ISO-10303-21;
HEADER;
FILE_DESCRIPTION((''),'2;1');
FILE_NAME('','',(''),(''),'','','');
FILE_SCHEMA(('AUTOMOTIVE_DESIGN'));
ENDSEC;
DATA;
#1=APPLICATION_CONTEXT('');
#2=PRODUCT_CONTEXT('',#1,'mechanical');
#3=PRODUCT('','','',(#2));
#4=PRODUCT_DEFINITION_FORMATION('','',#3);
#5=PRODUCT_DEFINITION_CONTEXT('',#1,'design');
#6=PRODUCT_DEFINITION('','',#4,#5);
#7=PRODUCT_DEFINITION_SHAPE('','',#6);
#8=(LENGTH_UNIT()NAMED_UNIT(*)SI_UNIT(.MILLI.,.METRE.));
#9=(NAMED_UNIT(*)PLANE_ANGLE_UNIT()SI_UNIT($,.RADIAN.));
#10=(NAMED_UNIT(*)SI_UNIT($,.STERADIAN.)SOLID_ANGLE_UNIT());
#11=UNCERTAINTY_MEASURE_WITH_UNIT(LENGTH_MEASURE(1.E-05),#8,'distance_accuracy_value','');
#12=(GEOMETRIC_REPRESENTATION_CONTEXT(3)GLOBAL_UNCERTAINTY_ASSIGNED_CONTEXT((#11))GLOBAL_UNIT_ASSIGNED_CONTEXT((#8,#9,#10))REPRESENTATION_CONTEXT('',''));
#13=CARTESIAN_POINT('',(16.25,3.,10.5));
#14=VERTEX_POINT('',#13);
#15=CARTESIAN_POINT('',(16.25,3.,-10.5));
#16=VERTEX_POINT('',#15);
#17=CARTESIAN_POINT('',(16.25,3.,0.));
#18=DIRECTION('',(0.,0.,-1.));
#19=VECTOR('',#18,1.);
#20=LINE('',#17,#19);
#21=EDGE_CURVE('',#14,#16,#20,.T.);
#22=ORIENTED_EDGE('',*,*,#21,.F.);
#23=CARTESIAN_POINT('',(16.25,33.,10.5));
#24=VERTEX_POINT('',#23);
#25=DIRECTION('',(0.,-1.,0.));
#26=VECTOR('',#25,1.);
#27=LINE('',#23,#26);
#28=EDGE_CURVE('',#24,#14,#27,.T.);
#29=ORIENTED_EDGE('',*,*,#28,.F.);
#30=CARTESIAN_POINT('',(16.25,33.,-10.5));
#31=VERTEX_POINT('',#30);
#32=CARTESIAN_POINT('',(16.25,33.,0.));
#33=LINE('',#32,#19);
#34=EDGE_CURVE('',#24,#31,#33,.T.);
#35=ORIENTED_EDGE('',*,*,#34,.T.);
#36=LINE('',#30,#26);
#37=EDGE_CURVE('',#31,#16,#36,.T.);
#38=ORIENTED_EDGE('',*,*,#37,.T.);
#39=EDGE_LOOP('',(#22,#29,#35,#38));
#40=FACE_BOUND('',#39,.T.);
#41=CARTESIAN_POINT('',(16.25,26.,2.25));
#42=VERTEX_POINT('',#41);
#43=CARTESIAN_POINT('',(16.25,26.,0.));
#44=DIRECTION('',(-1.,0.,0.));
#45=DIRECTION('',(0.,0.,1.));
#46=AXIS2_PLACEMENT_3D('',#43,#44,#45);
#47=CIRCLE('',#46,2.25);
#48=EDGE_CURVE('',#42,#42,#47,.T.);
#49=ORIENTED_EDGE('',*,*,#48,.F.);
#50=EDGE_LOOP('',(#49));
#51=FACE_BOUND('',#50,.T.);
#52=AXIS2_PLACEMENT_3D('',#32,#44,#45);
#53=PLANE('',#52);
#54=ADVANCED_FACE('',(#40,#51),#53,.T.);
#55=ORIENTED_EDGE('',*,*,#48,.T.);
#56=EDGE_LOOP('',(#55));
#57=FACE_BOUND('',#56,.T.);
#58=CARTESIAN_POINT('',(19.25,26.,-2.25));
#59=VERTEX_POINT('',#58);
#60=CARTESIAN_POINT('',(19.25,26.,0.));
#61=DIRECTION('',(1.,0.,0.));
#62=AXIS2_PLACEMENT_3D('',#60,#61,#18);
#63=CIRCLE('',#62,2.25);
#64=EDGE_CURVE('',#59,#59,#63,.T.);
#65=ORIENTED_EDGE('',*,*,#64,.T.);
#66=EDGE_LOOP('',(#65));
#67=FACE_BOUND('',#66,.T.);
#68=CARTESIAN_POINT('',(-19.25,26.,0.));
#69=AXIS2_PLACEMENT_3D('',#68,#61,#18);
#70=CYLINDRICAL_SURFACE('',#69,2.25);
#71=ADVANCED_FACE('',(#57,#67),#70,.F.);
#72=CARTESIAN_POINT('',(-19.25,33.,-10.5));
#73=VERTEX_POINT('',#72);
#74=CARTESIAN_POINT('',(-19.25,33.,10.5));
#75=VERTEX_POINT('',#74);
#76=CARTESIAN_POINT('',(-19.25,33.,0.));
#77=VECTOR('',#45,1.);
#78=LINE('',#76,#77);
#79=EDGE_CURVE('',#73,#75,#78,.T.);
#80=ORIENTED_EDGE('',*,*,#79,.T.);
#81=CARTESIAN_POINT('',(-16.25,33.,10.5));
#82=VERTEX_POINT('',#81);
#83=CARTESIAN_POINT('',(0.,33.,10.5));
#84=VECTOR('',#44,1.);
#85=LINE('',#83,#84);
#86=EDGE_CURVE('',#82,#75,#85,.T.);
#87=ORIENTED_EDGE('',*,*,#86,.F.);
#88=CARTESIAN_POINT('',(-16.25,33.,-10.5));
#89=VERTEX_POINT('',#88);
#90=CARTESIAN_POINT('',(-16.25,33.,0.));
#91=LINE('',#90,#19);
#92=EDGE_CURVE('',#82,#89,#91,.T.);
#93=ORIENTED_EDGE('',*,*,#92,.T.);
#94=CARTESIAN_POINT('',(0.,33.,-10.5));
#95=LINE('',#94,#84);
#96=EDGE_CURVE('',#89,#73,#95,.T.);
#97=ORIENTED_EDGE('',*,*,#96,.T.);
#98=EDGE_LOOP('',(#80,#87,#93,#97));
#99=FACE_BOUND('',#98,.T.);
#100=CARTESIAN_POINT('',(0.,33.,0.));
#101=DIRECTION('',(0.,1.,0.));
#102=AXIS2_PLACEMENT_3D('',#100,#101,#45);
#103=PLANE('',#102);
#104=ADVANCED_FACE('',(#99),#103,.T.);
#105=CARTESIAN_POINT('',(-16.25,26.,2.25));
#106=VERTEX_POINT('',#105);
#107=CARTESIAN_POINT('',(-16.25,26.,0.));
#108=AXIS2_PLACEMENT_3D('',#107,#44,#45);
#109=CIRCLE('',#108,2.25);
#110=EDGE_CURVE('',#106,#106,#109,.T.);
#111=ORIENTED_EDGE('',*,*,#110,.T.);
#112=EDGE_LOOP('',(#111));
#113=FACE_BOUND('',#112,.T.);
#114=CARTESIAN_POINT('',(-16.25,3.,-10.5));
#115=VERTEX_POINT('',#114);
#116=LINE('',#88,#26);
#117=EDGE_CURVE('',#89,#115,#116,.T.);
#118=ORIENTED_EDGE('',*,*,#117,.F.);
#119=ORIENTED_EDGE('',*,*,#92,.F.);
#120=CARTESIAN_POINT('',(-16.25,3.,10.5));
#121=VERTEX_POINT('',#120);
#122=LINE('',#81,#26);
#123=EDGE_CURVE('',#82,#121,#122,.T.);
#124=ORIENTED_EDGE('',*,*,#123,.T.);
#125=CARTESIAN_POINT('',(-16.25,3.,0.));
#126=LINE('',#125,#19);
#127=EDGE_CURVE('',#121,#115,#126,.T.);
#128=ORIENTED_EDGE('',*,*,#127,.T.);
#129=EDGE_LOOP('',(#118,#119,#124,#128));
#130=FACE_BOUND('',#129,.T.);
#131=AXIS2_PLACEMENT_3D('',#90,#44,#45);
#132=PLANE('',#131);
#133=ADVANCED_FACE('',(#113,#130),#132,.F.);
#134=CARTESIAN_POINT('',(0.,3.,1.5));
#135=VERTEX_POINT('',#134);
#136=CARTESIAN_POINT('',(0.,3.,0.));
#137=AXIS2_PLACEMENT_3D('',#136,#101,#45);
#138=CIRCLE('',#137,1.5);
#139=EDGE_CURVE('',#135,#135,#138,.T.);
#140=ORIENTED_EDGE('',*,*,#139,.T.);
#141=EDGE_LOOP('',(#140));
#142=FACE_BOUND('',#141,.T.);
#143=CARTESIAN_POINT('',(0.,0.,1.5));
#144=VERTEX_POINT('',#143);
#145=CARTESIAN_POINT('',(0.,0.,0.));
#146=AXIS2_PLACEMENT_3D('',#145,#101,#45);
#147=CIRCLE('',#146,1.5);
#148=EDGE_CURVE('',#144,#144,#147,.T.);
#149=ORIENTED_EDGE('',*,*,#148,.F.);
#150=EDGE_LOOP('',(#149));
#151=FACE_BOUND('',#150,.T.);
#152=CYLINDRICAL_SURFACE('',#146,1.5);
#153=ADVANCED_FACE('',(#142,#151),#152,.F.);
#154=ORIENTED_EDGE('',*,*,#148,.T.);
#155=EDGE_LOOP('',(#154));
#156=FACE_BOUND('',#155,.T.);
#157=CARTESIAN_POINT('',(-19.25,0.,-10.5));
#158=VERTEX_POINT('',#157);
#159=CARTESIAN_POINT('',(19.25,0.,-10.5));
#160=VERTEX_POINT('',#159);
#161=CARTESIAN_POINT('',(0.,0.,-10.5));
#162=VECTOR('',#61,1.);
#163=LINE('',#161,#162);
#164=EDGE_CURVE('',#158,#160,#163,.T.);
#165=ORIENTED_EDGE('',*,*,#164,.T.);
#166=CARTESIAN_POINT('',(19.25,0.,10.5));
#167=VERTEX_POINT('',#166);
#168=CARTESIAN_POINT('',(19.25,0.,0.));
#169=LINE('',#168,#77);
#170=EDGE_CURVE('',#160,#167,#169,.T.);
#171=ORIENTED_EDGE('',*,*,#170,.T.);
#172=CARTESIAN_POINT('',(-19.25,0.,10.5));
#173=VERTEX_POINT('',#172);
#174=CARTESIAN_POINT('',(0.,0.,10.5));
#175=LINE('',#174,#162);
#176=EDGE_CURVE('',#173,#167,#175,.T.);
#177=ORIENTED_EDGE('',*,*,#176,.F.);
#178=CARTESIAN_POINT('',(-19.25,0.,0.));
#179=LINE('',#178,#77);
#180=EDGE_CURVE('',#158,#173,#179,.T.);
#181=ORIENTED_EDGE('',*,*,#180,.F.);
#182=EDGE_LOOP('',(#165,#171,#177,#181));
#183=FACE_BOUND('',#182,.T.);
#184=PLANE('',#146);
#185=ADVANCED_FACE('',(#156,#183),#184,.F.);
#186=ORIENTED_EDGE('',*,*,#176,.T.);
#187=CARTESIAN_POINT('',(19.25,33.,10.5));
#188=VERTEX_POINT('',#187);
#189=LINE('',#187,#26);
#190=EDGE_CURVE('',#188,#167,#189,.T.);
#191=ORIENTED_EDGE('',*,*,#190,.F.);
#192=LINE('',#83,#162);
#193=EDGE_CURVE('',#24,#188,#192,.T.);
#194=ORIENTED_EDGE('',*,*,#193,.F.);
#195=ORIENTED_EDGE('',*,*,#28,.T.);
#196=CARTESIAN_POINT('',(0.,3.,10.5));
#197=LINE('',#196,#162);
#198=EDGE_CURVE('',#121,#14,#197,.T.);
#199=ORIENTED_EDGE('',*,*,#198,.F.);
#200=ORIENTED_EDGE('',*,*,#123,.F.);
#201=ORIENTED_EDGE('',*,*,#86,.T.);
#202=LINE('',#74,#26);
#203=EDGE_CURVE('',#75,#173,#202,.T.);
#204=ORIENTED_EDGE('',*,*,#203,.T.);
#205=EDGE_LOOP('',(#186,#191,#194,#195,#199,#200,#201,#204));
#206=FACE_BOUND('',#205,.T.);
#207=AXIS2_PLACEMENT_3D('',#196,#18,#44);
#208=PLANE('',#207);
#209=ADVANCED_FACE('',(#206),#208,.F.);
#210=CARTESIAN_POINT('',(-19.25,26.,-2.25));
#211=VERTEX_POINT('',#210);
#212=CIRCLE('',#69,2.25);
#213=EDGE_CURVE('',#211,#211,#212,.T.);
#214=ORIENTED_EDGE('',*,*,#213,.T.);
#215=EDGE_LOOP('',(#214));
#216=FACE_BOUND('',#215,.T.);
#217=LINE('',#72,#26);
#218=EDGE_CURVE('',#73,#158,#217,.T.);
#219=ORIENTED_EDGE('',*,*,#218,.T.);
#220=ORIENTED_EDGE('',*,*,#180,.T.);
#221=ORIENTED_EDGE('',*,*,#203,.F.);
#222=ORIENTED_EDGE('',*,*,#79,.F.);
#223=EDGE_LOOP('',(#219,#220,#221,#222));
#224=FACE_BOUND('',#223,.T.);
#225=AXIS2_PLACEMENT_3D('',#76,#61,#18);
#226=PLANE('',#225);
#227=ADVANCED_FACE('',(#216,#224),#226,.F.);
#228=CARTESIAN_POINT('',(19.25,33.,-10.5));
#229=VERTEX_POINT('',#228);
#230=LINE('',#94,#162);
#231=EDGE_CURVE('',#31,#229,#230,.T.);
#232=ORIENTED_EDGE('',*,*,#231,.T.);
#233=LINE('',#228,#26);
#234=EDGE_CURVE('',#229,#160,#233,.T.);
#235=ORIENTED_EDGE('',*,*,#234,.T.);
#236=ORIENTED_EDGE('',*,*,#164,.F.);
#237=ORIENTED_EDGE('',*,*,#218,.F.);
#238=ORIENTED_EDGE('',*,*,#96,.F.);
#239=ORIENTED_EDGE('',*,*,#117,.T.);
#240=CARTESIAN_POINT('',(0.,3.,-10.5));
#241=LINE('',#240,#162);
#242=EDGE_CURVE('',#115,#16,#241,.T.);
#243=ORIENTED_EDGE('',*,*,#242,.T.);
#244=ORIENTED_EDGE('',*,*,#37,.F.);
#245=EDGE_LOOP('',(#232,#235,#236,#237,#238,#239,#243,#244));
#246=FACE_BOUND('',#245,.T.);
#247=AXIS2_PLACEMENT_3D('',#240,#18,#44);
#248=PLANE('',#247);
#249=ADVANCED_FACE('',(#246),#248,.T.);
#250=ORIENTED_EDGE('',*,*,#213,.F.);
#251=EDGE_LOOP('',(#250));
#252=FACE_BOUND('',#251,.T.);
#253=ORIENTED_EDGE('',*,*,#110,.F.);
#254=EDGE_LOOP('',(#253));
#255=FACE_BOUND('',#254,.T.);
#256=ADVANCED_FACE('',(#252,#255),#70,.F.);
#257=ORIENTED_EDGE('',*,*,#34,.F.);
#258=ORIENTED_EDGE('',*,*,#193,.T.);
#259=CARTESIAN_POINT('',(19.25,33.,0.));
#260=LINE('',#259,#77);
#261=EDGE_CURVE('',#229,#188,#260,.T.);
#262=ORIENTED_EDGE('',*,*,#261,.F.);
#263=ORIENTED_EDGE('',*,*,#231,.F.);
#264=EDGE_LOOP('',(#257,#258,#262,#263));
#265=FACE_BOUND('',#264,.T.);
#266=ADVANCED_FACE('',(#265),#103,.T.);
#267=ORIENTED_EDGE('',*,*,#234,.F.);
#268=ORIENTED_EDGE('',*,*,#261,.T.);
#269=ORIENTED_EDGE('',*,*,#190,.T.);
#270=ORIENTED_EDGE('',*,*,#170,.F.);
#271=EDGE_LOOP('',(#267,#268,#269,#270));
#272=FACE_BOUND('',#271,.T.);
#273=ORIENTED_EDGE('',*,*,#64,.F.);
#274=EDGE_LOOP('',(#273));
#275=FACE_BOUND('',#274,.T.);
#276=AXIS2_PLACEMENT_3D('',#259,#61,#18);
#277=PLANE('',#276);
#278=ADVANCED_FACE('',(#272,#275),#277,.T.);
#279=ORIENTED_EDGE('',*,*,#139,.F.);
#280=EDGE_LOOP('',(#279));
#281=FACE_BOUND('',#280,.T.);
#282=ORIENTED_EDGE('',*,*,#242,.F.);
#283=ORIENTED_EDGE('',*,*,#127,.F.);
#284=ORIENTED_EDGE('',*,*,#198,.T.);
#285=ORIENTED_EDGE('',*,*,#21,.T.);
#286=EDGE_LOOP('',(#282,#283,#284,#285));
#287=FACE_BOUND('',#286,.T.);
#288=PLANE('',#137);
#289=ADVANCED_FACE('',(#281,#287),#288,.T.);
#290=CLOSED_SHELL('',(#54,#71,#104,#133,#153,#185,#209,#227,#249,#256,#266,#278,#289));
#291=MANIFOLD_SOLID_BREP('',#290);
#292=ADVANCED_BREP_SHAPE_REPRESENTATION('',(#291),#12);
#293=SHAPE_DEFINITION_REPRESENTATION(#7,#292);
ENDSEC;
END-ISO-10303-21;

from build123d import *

# Parameters (mm, degrees)
SKETCH1_W           = 32.5
SKETCH1_H           = 21
BOSS_EXTRUDE1_DEPTH = 3
SKETCH1_3_W         = 3
SKETCH1_3_H         = 21
BOSS_EXTRUDE2_DEPTH = 33
SKETCH2_R           = 2.25
CUT_EXTRUDE1_DEPTH  = 52.783201909
SKETCH3_R           = 1.5
CUT_EXTRUDE2_DEPTH  = 38.159285515


with BuildPart() as part:
    # Sketch1 → Boss-Extrude1 (new body)
    with BuildSketch(Plane(origin=(0, 0, 0), x_dir=(1, 0, 0), z_dir=(0, 1, 0))):
        Rectangle(SKETCH1_W, SKETCH1_H)
    extrude(amount=BOSS_EXTRUDE1_DEPTH)

    # Sketch1<3> → Boss-Extrude2 (add)
    with BuildSketch(Plane(origin=(0, 0, 0), x_dir=(1, 0, 0), z_dir=(0, 1, 0))):
        with Locations((-17.75, 0)):
            Rectangle(SKETCH1_3_W, SKETCH1_3_H)
        with Locations((17.75, 0)):
            Rectangle(SKETCH1_3_W, SKETCH1_3_H)
    extrude(amount=BOSS_EXTRUDE2_DEPTH)

    # Sketch2 → Cut-Extrude1 (cut, through all)
    with BuildSketch(Plane(origin=(19.25, 0, 0), x_dir=(0, 0, -1), z_dir=(1, 0, 0))):
        with Locations((0, 26)):
            Circle(SKETCH2_R)
    extrude(amount=-CUT_EXTRUDE1_DEPTH, mode=Mode.SUBTRACT)

    # Sketch3 → Cut-Extrude2 (cut, through all)
    with BuildSketch(Plane(origin=(0, 3, 0), x_dir=(1, 0, 0), z_dir=(0, 1, 0))):
        Circle(SKETCH3_R)
    extrude(amount=-CUT_EXTRUDE2_DEPTH, mode=Mode.SUBTRACT)


solid = part.part
